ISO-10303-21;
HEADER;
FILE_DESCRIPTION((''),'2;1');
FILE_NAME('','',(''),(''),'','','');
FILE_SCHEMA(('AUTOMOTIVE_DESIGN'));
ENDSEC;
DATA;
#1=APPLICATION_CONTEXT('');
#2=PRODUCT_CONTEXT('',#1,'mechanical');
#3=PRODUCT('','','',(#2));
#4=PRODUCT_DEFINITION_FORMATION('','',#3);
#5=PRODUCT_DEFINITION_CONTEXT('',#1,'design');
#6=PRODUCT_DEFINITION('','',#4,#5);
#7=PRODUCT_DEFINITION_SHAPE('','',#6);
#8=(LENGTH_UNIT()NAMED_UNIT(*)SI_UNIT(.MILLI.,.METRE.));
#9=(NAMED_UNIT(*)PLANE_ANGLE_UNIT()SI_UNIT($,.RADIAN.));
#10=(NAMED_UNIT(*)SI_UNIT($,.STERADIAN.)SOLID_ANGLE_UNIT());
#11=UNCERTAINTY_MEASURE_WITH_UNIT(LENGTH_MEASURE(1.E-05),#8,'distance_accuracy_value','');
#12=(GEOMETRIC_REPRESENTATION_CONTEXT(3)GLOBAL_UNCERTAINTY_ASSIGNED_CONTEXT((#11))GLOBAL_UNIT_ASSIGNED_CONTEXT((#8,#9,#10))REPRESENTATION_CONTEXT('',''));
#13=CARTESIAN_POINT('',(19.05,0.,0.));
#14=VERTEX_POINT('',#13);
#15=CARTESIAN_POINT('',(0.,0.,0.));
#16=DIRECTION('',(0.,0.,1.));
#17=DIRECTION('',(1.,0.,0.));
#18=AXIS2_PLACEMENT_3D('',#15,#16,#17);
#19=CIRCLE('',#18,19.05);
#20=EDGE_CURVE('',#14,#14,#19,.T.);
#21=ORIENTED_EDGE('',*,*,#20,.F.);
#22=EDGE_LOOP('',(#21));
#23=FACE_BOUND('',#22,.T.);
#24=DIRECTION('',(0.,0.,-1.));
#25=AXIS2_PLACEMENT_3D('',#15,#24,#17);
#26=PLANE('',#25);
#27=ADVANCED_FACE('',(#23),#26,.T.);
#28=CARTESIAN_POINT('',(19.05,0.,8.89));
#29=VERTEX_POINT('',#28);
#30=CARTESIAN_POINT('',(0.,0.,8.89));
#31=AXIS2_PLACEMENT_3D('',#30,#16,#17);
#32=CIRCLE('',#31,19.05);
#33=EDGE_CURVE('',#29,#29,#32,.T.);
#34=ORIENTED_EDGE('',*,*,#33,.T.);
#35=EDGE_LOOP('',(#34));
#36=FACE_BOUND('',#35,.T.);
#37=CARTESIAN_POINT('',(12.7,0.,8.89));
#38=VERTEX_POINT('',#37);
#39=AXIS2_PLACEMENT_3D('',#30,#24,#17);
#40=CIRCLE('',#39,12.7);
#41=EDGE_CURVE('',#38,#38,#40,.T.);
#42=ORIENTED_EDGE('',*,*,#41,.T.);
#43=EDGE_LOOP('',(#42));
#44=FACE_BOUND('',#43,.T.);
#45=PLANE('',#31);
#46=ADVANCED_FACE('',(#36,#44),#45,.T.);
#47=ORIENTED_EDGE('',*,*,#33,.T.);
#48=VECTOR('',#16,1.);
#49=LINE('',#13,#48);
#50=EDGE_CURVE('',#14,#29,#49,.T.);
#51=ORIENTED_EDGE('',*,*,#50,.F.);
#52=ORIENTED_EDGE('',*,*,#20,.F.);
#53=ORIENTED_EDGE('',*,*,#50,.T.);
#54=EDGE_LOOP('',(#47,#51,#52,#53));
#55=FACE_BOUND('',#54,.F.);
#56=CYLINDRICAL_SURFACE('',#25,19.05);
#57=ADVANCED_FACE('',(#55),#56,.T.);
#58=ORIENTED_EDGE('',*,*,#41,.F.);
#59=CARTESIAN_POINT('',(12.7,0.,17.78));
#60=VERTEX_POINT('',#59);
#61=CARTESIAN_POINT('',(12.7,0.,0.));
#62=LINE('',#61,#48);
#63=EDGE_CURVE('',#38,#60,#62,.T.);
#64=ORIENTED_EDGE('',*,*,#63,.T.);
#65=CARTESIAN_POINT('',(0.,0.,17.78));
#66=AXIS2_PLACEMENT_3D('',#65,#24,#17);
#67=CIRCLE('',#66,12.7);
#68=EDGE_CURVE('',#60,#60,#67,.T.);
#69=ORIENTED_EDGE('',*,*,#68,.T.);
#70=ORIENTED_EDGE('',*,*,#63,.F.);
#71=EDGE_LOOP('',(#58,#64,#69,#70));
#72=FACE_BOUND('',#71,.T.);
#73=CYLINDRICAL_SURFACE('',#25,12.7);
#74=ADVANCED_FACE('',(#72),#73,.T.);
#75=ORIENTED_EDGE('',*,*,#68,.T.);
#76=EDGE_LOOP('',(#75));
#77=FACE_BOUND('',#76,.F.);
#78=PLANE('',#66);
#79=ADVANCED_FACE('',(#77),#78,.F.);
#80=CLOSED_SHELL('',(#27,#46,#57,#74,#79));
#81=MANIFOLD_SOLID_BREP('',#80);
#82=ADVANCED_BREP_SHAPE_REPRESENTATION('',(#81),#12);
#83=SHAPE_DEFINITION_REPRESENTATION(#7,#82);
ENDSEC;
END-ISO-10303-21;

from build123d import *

# Parameters (mm, degrees)
F0_R     = 19.05
F1_DEPTH = 8.89
F2_R     = 12.7
F3_DEPTH = 17.78


with BuildPart() as f1:
    # F0 (on Top) → F1 (new body)
    with BuildSketch(Plane.XY):
        Circle(F0_R)
    extrude(amount=F1_DEPTH)

    # F2 (on face) → F3 (join)
    with BuildSketch(Plane(origin=(0, 0, 0), x_dir=(1, 0, 0), z_dir=(0, 0, -1))):
        Circle(F2_R)
    extrude(amount=-F3_DEPTH)


solid = f1.part
